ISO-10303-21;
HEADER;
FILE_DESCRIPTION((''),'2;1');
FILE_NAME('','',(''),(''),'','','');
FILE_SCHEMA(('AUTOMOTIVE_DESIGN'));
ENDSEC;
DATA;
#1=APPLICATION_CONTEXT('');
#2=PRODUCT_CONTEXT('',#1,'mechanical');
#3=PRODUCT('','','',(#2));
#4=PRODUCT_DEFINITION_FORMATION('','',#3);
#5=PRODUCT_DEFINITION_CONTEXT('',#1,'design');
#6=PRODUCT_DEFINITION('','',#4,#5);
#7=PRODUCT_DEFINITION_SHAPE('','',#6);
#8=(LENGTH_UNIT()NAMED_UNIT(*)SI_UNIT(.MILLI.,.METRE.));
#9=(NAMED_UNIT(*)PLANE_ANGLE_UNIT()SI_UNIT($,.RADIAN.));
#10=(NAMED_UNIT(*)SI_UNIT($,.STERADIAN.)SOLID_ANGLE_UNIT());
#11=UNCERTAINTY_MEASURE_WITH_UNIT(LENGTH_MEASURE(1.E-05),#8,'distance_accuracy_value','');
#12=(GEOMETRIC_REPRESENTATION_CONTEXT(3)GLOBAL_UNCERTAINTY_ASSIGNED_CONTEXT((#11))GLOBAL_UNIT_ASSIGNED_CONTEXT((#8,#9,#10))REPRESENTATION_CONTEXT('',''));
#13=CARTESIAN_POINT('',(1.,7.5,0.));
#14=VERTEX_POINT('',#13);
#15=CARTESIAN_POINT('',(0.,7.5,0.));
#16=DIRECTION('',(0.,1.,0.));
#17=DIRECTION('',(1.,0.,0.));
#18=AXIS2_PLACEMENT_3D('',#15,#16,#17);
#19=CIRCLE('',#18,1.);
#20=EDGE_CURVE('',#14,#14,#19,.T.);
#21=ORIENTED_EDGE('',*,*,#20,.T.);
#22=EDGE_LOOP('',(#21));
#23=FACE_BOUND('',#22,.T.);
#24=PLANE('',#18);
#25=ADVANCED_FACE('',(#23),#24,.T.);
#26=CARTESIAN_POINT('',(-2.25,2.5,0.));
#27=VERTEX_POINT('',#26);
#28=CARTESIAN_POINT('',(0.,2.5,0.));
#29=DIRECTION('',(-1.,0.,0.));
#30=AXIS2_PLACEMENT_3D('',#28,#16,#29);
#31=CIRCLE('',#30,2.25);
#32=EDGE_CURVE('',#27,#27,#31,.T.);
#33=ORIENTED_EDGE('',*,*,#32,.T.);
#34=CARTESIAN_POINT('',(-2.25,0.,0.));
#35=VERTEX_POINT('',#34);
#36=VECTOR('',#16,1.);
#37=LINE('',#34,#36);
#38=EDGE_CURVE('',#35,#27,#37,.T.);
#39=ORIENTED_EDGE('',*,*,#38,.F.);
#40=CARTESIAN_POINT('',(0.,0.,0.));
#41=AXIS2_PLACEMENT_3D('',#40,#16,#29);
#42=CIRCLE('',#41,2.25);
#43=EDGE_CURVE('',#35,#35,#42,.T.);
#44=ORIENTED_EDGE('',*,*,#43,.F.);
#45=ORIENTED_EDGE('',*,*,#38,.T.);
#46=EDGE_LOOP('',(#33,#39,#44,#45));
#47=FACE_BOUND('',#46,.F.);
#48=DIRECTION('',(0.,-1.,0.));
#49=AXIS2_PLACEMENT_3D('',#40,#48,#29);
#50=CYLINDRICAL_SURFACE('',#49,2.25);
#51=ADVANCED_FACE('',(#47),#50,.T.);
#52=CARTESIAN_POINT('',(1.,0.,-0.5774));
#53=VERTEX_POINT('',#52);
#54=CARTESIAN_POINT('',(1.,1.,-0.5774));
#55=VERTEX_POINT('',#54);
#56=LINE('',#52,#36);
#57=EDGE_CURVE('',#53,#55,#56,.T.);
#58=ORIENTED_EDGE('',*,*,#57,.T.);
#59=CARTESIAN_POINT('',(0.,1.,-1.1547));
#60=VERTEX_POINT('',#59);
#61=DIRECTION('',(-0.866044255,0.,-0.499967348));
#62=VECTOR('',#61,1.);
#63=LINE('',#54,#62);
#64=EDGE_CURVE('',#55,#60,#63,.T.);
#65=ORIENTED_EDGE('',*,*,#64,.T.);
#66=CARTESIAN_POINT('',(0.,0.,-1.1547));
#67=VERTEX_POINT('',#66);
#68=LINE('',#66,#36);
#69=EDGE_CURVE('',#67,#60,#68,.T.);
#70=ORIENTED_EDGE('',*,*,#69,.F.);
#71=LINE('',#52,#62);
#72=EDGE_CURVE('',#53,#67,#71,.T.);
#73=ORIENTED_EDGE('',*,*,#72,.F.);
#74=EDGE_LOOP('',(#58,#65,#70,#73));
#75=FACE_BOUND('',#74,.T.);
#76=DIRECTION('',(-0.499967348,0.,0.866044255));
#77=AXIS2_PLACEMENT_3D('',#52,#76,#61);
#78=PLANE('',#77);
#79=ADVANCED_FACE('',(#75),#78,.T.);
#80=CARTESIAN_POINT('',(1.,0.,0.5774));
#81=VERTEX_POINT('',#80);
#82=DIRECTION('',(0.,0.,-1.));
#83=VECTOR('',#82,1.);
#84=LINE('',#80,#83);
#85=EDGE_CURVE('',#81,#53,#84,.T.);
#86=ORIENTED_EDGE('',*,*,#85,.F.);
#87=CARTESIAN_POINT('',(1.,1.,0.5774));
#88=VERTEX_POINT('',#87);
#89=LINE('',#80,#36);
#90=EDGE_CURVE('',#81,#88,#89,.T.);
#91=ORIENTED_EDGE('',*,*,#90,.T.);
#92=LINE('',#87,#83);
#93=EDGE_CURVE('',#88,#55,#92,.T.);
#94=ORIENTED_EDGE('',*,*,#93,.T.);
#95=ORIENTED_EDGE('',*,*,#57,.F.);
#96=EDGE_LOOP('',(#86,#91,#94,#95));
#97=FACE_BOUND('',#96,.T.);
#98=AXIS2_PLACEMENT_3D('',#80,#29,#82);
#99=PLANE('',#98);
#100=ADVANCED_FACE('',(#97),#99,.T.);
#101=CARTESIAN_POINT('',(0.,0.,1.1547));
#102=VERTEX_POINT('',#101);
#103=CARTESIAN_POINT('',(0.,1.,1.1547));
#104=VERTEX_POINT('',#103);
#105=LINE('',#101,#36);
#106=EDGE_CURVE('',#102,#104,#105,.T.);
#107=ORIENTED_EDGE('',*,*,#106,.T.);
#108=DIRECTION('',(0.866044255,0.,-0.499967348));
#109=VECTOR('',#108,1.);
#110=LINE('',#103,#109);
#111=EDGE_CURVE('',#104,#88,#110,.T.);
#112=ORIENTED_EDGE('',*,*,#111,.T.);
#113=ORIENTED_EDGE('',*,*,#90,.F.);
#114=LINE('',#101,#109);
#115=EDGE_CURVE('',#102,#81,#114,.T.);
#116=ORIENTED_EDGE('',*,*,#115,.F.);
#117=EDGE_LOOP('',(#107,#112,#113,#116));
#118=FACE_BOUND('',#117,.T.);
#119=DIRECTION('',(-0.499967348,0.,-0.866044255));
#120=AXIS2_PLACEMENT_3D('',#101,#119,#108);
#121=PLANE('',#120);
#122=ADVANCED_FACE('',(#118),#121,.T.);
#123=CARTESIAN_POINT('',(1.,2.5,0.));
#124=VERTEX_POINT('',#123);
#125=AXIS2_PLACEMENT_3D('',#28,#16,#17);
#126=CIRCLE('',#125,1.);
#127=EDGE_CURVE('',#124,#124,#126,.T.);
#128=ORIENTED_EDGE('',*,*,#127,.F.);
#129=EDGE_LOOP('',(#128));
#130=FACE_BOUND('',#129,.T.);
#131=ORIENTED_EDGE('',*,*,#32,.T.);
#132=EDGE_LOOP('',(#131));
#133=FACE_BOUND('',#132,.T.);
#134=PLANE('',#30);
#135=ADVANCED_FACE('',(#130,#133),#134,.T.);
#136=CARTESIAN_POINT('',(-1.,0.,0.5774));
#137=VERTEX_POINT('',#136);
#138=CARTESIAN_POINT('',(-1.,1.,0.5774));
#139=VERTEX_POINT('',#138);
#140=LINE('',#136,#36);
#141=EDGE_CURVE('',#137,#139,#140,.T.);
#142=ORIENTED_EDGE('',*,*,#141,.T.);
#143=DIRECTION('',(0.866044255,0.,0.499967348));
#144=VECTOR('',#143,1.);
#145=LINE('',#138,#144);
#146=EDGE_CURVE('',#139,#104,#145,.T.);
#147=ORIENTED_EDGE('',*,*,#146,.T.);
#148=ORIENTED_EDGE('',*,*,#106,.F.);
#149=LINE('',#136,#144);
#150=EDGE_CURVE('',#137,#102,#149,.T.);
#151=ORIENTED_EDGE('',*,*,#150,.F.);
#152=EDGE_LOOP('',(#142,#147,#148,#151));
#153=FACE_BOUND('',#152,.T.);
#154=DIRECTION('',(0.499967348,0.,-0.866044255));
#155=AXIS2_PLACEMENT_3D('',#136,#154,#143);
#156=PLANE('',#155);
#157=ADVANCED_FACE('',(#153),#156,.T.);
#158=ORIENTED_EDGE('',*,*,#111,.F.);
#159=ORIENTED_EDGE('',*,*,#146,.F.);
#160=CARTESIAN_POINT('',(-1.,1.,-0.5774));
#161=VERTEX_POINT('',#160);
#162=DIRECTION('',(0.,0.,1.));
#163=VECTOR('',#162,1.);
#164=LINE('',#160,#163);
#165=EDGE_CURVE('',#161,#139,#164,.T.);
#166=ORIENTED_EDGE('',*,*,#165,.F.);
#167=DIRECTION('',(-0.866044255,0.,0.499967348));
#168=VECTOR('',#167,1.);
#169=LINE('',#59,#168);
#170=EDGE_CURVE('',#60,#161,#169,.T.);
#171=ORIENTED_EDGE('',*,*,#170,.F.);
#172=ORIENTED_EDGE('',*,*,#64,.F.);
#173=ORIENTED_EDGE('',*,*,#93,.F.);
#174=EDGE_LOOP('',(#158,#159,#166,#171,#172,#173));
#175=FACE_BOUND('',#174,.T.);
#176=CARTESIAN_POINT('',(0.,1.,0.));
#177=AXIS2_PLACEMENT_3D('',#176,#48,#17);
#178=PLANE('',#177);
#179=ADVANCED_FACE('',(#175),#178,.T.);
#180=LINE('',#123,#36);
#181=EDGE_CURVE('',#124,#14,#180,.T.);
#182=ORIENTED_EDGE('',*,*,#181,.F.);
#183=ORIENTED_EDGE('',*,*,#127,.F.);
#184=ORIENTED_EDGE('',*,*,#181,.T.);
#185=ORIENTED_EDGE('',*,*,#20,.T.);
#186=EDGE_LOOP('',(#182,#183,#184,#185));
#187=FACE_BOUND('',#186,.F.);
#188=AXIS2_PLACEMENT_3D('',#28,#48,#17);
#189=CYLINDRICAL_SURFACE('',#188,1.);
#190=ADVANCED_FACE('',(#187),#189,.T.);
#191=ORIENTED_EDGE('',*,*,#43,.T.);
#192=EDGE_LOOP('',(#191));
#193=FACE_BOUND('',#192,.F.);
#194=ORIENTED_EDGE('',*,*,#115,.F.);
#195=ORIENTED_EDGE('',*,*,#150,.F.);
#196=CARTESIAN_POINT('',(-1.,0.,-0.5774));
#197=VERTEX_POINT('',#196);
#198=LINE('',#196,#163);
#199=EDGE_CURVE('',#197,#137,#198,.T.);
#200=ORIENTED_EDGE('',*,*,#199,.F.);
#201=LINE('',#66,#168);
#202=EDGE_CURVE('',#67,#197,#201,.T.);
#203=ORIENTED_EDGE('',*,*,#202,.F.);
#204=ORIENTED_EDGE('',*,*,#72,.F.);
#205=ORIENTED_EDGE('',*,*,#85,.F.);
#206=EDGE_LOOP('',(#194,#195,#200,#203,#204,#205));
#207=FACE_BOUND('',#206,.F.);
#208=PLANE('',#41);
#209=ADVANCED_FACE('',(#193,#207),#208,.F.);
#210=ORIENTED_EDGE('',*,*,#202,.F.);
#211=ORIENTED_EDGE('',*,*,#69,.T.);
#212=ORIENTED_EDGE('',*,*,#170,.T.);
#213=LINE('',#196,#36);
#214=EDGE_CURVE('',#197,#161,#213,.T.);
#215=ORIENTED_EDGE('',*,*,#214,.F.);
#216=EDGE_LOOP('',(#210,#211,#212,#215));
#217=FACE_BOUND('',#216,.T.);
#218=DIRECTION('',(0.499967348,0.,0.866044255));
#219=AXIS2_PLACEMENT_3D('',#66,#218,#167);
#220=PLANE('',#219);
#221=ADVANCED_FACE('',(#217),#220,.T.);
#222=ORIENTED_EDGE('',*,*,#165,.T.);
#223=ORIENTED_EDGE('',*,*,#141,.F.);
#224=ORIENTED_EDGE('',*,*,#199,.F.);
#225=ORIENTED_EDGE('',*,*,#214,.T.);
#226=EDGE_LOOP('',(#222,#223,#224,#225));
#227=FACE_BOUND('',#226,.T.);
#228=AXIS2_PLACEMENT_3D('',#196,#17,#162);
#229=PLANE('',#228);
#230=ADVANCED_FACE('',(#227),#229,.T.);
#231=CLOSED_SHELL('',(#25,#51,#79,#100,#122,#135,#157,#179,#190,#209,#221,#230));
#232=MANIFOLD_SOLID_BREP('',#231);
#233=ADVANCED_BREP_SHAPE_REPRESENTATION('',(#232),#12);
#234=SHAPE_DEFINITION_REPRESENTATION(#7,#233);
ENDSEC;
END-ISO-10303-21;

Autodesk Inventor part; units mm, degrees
ref_plane "YZ Plane" through (0, 0, 0) normal (1, 0, 0) x (0, 1, 0)
ref_plane "XZ Plane" through (0, 0, 0) normal (0, 1, 0) x (-1, 0, 0)
ref_plane "XY Plane" through (0, 0, 0) normal (0, 0, 1) x (1, 0, 0)
sketch "Sketch1" plane through (0, 0, 0) normal (0, 1, 0) x (-1, 0, 0)
  circle A0 centre (0, 0) radius 2.25
  dimension "d0" = 4.5
extrude "Extrusion1" add sketch "Sketch1" along normal blind 2.5
sketch "Sketch2" plane through (0, 2.5, 0) normal (0, 1, 0) x (1, 0, 0)
  circle A0 centre (0, 0) radius 1
  dimension "d3" = 2
extrude "Extrusion2" add sketch "Sketch2" along normal blind 5
sketch "Sketch3" plane through (0, 0, 0) normal (0, -1, 0) x (1, 0, 0)
  line L0 (0, -1.1547) -> (-1, -0.5774)
  line L1 (-1, -0.5774) -> (-1, 0.5774)
  line L2 (-1, 0.5774) -> (0, 1.1547)
  line L3 (0, 1.1547) -> (1, 0.5774)
  line L4 (1, 0.5774) -> (1, -0.5774)
  line L5 (1, -0.5774) -> (0, -1.1547)
  point P0 (0, 0)
  point P1 (0, 0)
  dimension "d6" = 2
extrude "Extrusion3" cut sketch "Sketch3" against normal blind 1
properties part number "m2_bolt_5mm" material "Stainless Steel"
